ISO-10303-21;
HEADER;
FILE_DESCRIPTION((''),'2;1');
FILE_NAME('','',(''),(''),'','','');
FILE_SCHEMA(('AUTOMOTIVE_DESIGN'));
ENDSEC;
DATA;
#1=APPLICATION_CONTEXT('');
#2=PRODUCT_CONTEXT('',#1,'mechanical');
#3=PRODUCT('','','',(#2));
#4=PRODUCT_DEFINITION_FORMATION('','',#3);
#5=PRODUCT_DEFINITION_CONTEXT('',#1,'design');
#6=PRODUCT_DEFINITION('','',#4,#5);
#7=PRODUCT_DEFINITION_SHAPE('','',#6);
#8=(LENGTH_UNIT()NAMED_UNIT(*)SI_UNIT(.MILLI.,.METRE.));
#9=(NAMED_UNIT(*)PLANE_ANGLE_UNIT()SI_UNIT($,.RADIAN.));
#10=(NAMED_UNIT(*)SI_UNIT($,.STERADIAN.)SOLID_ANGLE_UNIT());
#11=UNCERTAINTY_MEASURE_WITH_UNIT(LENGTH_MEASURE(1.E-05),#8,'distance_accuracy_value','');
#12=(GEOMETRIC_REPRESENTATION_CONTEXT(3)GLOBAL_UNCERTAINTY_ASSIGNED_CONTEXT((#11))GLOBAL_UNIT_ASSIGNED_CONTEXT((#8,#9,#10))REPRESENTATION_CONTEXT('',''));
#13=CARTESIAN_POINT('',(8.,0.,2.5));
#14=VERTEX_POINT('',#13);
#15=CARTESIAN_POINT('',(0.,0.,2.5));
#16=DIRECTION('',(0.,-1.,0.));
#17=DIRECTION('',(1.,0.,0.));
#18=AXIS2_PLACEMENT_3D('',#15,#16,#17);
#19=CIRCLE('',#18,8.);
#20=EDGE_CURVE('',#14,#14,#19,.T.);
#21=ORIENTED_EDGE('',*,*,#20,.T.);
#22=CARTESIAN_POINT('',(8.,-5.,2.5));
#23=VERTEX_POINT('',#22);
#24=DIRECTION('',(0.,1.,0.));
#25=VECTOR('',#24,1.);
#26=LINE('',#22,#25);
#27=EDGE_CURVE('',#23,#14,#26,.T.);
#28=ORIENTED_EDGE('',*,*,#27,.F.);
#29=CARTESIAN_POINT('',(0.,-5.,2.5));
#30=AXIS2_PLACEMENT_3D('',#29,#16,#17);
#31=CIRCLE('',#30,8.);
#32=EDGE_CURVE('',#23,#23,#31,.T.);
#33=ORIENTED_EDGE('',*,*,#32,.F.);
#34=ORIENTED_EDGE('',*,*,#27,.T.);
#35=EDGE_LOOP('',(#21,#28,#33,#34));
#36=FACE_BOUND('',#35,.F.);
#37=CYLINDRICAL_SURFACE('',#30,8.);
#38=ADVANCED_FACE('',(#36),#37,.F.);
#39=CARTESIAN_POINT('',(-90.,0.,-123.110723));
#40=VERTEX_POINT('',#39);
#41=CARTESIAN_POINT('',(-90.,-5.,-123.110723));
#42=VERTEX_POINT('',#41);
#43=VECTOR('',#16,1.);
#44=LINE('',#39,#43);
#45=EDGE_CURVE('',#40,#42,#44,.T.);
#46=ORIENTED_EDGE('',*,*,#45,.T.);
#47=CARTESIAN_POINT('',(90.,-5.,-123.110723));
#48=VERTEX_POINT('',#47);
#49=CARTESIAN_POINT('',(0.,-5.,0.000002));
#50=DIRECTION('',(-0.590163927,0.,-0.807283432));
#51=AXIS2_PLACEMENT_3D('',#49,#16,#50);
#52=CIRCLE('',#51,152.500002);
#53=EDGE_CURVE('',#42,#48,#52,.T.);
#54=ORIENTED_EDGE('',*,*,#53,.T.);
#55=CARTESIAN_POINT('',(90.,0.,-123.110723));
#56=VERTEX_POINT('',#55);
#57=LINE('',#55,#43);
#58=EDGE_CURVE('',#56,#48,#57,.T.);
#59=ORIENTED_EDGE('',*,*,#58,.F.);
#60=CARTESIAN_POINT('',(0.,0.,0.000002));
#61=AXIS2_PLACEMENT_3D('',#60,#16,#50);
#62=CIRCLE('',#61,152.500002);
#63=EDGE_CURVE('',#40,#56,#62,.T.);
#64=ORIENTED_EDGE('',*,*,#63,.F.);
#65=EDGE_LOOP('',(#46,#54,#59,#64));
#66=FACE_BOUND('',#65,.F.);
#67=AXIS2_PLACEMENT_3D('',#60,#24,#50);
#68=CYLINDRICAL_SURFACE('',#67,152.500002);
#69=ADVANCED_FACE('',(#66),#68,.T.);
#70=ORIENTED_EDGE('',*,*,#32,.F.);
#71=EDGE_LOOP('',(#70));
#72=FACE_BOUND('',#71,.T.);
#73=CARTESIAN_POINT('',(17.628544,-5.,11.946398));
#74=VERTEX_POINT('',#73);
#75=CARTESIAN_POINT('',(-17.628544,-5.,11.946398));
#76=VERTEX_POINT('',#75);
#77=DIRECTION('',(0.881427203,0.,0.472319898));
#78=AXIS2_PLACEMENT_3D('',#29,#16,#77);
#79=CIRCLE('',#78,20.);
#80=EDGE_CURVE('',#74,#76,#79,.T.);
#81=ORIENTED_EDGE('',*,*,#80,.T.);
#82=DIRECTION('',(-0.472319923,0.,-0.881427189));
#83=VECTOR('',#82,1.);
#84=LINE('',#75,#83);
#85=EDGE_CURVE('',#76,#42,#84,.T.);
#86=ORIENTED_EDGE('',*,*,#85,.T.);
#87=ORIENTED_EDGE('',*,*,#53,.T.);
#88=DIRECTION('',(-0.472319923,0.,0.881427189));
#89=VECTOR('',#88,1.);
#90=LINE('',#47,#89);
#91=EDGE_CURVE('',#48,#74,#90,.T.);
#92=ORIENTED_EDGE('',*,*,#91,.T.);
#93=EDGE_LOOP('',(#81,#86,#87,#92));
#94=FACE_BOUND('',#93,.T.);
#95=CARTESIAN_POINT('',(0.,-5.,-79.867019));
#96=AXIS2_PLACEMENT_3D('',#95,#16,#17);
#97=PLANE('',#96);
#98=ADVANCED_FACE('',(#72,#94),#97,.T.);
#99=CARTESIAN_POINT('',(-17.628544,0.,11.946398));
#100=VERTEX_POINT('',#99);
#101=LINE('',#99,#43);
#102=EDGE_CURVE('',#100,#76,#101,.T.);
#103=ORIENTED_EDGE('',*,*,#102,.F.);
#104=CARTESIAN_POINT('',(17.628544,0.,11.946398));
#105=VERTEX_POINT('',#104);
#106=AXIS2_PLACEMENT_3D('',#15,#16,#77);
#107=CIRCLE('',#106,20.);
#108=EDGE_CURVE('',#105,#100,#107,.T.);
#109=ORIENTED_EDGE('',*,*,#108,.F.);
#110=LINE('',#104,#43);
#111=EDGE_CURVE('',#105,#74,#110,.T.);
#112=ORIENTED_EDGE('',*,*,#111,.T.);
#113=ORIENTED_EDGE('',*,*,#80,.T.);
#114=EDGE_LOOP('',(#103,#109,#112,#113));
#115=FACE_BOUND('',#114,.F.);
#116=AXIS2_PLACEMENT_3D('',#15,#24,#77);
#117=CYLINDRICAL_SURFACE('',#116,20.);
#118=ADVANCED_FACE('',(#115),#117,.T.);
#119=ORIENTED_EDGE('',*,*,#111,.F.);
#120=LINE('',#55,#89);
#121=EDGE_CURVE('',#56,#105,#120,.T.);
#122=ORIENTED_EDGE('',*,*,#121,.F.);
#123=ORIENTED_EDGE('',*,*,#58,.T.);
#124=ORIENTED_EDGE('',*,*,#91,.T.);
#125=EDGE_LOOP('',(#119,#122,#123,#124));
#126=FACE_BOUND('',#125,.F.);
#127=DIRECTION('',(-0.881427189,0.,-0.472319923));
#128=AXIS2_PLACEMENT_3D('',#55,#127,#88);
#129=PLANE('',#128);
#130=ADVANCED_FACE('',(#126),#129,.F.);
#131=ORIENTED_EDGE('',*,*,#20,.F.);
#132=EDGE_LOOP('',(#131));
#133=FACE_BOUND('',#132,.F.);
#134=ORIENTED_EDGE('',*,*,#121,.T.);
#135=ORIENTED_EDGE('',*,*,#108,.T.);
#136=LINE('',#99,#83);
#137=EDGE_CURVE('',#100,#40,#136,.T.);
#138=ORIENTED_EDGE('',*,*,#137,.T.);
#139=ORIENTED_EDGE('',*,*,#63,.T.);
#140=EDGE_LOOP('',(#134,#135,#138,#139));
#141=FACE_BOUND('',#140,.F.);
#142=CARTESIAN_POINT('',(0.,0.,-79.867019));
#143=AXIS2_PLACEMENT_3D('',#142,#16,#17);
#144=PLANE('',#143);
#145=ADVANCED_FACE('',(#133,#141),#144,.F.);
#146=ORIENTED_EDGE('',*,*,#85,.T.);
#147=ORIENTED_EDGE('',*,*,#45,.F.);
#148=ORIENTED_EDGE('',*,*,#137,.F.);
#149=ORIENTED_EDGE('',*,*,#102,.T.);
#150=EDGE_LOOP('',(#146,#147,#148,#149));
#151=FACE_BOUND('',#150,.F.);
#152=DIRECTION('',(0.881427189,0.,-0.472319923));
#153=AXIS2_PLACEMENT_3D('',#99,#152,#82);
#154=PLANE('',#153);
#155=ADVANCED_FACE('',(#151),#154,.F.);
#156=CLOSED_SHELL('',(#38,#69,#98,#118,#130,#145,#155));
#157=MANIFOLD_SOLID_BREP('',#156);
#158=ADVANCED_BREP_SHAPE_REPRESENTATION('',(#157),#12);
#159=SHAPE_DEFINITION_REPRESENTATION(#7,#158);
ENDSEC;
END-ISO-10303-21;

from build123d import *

# Parameters (mm, degrees)
F1_DEPTH = 5
F2_R     = 8
F3_DEPTH = 5.001


with BuildPart() as f1:
    # F0 (on Front) → F1 (new body)
    with BuildSketch(Plane.XZ):
        with BuildLine():
            Line((90, -123.110723), (17.628544, 11.946398))
            ThreePointArc((17.628544, 11.946398), (0, 22.5), (-17.628544, 11.946398))
            Line((-17.628544, 11.946398), (-90, -123.110723))
            ThreePointArc((-90, -123.110723), (0, -152.5), (90, -123.110723))
        make_face()
    extrude(amount=F1_DEPTH)

    # F2 (on face) → F3 (cut, through all)
    with BuildSketch(Plane.XZ.offset(5)):
        with Locations((0, 2.5)):
            Circle(F2_R)
    extrude(amount=-F3_DEPTH, mode=Mode.SUBTRACT)


solid = f1.part
